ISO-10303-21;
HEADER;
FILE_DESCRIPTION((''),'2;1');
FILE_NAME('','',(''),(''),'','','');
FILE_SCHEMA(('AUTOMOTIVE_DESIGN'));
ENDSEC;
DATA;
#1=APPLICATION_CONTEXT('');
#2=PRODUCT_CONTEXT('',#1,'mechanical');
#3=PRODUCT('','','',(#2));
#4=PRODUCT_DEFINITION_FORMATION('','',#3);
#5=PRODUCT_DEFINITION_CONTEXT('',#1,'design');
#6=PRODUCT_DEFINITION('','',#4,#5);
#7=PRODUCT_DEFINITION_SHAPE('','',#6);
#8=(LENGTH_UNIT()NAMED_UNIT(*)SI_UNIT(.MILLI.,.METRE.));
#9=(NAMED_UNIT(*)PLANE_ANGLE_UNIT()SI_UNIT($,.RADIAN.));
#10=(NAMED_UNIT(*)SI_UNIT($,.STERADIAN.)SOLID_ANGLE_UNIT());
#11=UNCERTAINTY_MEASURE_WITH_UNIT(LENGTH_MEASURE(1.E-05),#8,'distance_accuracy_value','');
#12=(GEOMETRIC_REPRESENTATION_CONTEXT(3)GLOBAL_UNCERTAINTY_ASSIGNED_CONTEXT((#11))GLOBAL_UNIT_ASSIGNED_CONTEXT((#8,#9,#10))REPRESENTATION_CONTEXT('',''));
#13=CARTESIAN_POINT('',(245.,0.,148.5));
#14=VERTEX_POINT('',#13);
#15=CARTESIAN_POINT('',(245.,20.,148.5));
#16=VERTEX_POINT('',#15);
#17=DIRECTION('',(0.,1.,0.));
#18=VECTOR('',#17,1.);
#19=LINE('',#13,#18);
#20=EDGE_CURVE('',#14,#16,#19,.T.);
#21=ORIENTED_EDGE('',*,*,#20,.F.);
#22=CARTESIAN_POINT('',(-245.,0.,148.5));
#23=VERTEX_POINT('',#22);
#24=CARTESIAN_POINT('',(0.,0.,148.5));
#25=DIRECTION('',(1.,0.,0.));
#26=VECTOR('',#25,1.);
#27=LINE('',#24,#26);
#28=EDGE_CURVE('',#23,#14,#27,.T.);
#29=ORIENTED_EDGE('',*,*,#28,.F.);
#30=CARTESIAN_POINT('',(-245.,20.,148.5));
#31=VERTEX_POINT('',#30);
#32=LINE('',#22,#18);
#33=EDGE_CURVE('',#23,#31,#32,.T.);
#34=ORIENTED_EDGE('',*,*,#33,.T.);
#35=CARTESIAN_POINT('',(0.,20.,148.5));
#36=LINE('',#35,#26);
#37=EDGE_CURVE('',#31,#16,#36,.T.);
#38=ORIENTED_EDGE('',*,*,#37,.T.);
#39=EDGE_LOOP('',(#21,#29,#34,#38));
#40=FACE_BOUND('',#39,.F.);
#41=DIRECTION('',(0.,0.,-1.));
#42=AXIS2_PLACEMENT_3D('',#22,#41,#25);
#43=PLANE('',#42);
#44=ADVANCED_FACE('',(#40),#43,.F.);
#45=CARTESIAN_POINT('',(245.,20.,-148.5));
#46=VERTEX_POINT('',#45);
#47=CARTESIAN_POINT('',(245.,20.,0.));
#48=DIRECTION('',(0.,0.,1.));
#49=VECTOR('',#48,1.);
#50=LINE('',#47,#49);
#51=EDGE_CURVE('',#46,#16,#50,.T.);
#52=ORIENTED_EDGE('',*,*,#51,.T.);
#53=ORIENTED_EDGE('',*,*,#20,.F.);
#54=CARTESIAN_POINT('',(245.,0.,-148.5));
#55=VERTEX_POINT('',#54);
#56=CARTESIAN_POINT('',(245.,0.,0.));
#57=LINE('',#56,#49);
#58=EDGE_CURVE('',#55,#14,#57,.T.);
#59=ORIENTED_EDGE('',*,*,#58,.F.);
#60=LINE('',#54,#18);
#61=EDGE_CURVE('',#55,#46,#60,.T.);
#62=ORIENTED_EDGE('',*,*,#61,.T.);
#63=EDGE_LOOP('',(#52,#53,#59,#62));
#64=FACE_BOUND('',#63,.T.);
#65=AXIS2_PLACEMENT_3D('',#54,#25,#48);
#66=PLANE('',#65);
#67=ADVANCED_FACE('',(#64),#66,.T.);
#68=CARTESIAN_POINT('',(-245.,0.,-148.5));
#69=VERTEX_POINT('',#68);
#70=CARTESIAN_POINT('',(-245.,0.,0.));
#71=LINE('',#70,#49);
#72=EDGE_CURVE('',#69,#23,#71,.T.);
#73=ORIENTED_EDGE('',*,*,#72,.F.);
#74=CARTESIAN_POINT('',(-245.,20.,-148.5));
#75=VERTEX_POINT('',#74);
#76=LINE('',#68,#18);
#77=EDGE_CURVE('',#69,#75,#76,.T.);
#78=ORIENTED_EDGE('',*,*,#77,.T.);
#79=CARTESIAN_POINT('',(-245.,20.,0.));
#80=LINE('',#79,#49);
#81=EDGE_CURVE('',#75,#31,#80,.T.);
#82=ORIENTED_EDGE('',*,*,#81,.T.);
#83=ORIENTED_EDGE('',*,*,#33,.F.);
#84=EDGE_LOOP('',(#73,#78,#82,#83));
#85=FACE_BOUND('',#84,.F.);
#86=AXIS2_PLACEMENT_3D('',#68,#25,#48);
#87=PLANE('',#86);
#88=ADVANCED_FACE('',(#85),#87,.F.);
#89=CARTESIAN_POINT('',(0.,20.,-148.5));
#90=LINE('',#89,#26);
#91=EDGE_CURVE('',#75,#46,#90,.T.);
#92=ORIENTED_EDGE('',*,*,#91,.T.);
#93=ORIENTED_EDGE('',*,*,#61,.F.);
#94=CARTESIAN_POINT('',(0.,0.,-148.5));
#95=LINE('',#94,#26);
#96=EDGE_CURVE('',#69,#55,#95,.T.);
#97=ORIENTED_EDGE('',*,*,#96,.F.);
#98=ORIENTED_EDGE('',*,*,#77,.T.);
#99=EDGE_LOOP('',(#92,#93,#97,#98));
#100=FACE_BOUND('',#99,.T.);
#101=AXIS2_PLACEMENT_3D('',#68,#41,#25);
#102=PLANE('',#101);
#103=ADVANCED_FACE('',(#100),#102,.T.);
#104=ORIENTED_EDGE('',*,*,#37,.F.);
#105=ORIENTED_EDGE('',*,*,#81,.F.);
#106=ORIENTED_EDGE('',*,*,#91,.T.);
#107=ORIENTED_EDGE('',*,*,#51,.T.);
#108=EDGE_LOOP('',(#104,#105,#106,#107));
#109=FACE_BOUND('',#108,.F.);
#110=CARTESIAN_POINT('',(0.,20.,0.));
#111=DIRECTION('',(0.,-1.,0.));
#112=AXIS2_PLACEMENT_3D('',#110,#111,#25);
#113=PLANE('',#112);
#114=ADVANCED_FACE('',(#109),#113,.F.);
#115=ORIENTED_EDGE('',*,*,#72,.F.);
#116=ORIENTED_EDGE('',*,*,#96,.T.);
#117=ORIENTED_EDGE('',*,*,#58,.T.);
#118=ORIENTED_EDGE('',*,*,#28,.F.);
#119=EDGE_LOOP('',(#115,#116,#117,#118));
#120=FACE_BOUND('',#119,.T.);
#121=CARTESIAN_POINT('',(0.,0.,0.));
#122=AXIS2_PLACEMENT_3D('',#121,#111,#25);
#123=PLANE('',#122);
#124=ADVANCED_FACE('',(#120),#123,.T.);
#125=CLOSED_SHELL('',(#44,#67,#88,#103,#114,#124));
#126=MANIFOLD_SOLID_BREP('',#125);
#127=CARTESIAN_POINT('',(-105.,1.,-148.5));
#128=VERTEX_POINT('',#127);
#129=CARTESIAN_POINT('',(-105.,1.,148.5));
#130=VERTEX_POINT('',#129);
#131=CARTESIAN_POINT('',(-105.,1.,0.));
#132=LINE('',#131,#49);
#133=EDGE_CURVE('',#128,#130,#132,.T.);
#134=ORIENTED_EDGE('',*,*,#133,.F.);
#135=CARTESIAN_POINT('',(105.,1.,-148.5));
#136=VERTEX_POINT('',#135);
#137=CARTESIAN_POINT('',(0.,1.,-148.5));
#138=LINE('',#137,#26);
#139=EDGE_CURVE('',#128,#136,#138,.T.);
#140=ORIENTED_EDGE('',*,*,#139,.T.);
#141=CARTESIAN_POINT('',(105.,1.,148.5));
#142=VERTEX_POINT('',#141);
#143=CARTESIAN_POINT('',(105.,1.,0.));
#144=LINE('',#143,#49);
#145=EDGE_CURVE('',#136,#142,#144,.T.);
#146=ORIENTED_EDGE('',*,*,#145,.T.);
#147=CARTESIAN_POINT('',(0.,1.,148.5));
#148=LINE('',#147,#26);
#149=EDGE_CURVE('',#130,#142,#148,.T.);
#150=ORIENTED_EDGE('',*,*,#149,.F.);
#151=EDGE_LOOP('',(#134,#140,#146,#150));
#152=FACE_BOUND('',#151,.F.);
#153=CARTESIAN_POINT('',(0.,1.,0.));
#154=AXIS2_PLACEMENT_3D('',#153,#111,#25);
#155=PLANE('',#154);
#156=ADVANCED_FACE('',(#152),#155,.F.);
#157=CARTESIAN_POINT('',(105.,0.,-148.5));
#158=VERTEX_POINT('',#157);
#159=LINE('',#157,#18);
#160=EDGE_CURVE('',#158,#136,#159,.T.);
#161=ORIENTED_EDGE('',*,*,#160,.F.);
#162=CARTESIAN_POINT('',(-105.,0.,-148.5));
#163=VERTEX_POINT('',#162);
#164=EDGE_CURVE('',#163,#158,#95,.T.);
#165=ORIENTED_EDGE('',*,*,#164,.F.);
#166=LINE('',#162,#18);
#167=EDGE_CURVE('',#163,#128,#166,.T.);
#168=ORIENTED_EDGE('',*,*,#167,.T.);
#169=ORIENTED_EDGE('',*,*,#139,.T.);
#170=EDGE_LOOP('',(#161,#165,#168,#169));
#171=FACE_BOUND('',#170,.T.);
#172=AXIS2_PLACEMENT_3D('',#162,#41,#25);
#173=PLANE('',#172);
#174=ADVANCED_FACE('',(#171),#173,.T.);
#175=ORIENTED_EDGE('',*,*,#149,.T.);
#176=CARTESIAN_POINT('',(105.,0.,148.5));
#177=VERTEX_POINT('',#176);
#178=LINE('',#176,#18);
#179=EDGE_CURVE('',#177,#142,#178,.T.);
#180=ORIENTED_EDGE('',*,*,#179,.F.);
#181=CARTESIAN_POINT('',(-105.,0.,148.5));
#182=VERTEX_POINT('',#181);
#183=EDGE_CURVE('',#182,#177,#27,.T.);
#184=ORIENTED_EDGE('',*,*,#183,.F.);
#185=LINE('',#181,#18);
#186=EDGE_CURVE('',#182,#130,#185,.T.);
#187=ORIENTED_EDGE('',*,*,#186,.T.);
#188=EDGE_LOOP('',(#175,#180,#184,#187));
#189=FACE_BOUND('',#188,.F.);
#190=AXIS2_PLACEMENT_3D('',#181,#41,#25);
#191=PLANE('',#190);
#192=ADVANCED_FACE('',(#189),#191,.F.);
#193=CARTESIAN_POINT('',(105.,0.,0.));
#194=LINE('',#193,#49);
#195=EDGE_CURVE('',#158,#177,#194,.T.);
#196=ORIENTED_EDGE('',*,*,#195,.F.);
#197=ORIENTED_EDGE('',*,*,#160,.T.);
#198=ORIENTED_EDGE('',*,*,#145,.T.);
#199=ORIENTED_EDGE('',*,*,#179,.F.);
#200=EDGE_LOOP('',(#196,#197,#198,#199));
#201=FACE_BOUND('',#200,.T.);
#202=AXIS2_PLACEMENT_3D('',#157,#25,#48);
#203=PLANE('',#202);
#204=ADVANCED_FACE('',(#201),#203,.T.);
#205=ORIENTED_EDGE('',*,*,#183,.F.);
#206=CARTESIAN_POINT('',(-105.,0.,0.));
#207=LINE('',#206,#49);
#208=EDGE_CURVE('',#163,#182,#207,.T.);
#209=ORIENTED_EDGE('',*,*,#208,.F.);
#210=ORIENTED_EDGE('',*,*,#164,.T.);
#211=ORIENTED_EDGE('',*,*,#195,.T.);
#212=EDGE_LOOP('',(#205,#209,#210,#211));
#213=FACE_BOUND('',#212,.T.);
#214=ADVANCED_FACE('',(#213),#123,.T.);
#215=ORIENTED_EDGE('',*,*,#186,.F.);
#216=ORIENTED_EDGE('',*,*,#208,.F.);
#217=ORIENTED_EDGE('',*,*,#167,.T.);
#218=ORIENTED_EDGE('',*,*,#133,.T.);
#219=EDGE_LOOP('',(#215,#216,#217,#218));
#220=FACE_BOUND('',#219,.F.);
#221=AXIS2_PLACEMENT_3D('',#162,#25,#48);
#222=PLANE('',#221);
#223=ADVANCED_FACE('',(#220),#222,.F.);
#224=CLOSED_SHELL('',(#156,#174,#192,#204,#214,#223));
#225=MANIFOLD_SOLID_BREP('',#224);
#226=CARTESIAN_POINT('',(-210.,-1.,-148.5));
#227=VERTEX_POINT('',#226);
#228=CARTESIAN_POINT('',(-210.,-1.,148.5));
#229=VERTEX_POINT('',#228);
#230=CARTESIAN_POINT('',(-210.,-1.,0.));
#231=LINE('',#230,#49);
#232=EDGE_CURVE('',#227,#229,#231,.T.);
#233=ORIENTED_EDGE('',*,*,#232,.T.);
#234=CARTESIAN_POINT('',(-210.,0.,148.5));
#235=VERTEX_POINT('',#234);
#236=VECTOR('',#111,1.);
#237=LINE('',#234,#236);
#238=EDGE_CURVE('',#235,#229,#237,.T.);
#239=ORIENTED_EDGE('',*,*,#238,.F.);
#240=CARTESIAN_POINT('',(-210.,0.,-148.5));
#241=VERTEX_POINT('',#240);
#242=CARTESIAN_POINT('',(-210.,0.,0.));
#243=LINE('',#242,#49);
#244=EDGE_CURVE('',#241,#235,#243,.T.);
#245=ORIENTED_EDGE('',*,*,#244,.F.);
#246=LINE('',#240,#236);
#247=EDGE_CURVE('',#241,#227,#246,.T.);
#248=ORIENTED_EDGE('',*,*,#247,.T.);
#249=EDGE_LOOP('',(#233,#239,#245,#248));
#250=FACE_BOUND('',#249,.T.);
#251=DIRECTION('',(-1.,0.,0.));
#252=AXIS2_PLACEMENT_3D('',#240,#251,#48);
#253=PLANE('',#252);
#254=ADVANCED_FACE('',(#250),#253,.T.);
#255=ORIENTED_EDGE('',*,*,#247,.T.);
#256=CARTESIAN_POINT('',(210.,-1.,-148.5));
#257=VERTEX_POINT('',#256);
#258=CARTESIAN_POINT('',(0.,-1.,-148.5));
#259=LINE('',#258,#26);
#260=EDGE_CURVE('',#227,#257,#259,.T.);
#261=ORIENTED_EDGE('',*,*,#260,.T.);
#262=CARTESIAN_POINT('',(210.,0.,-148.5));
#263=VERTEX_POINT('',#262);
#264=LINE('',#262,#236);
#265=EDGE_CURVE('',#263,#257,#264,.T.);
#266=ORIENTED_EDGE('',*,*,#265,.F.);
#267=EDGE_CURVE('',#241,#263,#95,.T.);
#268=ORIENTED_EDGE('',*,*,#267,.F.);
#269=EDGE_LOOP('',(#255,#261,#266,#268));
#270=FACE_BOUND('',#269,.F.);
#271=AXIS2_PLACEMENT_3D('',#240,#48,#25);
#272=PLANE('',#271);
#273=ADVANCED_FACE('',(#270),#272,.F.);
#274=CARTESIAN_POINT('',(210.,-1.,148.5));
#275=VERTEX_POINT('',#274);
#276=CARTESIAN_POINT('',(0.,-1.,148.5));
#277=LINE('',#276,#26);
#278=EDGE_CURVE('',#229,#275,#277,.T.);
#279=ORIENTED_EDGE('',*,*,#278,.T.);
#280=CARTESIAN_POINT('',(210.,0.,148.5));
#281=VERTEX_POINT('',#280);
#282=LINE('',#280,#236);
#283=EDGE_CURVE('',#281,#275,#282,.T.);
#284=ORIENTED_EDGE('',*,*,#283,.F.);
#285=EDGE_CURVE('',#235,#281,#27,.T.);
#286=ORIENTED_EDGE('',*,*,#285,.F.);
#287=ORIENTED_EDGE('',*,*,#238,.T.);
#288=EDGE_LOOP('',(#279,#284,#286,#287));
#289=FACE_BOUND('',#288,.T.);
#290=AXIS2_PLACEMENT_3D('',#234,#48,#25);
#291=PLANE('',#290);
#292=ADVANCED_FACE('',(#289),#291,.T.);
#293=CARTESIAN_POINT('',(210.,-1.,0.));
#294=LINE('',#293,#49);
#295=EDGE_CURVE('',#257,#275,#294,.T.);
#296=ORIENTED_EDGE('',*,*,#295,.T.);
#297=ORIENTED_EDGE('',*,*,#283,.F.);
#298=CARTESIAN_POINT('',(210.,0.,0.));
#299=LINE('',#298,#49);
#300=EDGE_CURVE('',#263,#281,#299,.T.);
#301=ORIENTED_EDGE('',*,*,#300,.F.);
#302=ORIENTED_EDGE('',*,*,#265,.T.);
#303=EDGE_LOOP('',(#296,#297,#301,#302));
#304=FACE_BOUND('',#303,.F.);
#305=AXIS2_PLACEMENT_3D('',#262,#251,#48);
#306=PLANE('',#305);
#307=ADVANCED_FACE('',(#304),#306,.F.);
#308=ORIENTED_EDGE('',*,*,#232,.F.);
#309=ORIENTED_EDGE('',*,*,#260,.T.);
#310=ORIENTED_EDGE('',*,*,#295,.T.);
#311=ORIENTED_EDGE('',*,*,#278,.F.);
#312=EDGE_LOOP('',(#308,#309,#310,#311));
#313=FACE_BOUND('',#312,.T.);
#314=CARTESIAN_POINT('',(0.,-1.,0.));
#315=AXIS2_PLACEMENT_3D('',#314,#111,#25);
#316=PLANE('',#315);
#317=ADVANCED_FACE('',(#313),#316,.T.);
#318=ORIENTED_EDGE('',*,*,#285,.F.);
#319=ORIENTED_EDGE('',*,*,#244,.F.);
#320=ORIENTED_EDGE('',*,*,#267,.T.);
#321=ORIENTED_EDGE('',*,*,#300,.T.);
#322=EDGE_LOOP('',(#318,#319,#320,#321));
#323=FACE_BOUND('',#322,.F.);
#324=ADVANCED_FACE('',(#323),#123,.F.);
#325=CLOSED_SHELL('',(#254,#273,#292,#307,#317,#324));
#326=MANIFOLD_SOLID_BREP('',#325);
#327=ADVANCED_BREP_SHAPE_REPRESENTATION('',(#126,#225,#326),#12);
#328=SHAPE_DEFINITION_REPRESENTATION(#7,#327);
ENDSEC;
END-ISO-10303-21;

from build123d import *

# Parameters (mm, degrees)
F0_W     = 490
F0_H     = 297
F1_DEPTH = 20
F2_W     = 210
F2_H     = 297
F4_DEPTH = 1
F3_W     = 420
F3_H     = 297
F5_DEPTH = 1


with BuildPart() as f1:
    # F0 (on Front) → F1 (new body)
    with BuildSketch(Plane.XZ):
        Rectangle(F0_W, F0_H)
    extrude(amount=-F1_DEPTH)


with BuildPart() as f4:
    # F2 (on face) → F4 (new body)
    with BuildSketch(Plane.XZ):
        Rectangle(F2_W, F2_H)
    extrude(amount=-F4_DEPTH)


with BuildPart() as f5:
    # F3 (on face) → F5 (new body)
    with BuildSketch(Plane.XZ):
        Rectangle(F3_W, F3_H)
    extrude(amount=F5_DEPTH)


solid = Compound([f1.part, f4.part, f5.part])
